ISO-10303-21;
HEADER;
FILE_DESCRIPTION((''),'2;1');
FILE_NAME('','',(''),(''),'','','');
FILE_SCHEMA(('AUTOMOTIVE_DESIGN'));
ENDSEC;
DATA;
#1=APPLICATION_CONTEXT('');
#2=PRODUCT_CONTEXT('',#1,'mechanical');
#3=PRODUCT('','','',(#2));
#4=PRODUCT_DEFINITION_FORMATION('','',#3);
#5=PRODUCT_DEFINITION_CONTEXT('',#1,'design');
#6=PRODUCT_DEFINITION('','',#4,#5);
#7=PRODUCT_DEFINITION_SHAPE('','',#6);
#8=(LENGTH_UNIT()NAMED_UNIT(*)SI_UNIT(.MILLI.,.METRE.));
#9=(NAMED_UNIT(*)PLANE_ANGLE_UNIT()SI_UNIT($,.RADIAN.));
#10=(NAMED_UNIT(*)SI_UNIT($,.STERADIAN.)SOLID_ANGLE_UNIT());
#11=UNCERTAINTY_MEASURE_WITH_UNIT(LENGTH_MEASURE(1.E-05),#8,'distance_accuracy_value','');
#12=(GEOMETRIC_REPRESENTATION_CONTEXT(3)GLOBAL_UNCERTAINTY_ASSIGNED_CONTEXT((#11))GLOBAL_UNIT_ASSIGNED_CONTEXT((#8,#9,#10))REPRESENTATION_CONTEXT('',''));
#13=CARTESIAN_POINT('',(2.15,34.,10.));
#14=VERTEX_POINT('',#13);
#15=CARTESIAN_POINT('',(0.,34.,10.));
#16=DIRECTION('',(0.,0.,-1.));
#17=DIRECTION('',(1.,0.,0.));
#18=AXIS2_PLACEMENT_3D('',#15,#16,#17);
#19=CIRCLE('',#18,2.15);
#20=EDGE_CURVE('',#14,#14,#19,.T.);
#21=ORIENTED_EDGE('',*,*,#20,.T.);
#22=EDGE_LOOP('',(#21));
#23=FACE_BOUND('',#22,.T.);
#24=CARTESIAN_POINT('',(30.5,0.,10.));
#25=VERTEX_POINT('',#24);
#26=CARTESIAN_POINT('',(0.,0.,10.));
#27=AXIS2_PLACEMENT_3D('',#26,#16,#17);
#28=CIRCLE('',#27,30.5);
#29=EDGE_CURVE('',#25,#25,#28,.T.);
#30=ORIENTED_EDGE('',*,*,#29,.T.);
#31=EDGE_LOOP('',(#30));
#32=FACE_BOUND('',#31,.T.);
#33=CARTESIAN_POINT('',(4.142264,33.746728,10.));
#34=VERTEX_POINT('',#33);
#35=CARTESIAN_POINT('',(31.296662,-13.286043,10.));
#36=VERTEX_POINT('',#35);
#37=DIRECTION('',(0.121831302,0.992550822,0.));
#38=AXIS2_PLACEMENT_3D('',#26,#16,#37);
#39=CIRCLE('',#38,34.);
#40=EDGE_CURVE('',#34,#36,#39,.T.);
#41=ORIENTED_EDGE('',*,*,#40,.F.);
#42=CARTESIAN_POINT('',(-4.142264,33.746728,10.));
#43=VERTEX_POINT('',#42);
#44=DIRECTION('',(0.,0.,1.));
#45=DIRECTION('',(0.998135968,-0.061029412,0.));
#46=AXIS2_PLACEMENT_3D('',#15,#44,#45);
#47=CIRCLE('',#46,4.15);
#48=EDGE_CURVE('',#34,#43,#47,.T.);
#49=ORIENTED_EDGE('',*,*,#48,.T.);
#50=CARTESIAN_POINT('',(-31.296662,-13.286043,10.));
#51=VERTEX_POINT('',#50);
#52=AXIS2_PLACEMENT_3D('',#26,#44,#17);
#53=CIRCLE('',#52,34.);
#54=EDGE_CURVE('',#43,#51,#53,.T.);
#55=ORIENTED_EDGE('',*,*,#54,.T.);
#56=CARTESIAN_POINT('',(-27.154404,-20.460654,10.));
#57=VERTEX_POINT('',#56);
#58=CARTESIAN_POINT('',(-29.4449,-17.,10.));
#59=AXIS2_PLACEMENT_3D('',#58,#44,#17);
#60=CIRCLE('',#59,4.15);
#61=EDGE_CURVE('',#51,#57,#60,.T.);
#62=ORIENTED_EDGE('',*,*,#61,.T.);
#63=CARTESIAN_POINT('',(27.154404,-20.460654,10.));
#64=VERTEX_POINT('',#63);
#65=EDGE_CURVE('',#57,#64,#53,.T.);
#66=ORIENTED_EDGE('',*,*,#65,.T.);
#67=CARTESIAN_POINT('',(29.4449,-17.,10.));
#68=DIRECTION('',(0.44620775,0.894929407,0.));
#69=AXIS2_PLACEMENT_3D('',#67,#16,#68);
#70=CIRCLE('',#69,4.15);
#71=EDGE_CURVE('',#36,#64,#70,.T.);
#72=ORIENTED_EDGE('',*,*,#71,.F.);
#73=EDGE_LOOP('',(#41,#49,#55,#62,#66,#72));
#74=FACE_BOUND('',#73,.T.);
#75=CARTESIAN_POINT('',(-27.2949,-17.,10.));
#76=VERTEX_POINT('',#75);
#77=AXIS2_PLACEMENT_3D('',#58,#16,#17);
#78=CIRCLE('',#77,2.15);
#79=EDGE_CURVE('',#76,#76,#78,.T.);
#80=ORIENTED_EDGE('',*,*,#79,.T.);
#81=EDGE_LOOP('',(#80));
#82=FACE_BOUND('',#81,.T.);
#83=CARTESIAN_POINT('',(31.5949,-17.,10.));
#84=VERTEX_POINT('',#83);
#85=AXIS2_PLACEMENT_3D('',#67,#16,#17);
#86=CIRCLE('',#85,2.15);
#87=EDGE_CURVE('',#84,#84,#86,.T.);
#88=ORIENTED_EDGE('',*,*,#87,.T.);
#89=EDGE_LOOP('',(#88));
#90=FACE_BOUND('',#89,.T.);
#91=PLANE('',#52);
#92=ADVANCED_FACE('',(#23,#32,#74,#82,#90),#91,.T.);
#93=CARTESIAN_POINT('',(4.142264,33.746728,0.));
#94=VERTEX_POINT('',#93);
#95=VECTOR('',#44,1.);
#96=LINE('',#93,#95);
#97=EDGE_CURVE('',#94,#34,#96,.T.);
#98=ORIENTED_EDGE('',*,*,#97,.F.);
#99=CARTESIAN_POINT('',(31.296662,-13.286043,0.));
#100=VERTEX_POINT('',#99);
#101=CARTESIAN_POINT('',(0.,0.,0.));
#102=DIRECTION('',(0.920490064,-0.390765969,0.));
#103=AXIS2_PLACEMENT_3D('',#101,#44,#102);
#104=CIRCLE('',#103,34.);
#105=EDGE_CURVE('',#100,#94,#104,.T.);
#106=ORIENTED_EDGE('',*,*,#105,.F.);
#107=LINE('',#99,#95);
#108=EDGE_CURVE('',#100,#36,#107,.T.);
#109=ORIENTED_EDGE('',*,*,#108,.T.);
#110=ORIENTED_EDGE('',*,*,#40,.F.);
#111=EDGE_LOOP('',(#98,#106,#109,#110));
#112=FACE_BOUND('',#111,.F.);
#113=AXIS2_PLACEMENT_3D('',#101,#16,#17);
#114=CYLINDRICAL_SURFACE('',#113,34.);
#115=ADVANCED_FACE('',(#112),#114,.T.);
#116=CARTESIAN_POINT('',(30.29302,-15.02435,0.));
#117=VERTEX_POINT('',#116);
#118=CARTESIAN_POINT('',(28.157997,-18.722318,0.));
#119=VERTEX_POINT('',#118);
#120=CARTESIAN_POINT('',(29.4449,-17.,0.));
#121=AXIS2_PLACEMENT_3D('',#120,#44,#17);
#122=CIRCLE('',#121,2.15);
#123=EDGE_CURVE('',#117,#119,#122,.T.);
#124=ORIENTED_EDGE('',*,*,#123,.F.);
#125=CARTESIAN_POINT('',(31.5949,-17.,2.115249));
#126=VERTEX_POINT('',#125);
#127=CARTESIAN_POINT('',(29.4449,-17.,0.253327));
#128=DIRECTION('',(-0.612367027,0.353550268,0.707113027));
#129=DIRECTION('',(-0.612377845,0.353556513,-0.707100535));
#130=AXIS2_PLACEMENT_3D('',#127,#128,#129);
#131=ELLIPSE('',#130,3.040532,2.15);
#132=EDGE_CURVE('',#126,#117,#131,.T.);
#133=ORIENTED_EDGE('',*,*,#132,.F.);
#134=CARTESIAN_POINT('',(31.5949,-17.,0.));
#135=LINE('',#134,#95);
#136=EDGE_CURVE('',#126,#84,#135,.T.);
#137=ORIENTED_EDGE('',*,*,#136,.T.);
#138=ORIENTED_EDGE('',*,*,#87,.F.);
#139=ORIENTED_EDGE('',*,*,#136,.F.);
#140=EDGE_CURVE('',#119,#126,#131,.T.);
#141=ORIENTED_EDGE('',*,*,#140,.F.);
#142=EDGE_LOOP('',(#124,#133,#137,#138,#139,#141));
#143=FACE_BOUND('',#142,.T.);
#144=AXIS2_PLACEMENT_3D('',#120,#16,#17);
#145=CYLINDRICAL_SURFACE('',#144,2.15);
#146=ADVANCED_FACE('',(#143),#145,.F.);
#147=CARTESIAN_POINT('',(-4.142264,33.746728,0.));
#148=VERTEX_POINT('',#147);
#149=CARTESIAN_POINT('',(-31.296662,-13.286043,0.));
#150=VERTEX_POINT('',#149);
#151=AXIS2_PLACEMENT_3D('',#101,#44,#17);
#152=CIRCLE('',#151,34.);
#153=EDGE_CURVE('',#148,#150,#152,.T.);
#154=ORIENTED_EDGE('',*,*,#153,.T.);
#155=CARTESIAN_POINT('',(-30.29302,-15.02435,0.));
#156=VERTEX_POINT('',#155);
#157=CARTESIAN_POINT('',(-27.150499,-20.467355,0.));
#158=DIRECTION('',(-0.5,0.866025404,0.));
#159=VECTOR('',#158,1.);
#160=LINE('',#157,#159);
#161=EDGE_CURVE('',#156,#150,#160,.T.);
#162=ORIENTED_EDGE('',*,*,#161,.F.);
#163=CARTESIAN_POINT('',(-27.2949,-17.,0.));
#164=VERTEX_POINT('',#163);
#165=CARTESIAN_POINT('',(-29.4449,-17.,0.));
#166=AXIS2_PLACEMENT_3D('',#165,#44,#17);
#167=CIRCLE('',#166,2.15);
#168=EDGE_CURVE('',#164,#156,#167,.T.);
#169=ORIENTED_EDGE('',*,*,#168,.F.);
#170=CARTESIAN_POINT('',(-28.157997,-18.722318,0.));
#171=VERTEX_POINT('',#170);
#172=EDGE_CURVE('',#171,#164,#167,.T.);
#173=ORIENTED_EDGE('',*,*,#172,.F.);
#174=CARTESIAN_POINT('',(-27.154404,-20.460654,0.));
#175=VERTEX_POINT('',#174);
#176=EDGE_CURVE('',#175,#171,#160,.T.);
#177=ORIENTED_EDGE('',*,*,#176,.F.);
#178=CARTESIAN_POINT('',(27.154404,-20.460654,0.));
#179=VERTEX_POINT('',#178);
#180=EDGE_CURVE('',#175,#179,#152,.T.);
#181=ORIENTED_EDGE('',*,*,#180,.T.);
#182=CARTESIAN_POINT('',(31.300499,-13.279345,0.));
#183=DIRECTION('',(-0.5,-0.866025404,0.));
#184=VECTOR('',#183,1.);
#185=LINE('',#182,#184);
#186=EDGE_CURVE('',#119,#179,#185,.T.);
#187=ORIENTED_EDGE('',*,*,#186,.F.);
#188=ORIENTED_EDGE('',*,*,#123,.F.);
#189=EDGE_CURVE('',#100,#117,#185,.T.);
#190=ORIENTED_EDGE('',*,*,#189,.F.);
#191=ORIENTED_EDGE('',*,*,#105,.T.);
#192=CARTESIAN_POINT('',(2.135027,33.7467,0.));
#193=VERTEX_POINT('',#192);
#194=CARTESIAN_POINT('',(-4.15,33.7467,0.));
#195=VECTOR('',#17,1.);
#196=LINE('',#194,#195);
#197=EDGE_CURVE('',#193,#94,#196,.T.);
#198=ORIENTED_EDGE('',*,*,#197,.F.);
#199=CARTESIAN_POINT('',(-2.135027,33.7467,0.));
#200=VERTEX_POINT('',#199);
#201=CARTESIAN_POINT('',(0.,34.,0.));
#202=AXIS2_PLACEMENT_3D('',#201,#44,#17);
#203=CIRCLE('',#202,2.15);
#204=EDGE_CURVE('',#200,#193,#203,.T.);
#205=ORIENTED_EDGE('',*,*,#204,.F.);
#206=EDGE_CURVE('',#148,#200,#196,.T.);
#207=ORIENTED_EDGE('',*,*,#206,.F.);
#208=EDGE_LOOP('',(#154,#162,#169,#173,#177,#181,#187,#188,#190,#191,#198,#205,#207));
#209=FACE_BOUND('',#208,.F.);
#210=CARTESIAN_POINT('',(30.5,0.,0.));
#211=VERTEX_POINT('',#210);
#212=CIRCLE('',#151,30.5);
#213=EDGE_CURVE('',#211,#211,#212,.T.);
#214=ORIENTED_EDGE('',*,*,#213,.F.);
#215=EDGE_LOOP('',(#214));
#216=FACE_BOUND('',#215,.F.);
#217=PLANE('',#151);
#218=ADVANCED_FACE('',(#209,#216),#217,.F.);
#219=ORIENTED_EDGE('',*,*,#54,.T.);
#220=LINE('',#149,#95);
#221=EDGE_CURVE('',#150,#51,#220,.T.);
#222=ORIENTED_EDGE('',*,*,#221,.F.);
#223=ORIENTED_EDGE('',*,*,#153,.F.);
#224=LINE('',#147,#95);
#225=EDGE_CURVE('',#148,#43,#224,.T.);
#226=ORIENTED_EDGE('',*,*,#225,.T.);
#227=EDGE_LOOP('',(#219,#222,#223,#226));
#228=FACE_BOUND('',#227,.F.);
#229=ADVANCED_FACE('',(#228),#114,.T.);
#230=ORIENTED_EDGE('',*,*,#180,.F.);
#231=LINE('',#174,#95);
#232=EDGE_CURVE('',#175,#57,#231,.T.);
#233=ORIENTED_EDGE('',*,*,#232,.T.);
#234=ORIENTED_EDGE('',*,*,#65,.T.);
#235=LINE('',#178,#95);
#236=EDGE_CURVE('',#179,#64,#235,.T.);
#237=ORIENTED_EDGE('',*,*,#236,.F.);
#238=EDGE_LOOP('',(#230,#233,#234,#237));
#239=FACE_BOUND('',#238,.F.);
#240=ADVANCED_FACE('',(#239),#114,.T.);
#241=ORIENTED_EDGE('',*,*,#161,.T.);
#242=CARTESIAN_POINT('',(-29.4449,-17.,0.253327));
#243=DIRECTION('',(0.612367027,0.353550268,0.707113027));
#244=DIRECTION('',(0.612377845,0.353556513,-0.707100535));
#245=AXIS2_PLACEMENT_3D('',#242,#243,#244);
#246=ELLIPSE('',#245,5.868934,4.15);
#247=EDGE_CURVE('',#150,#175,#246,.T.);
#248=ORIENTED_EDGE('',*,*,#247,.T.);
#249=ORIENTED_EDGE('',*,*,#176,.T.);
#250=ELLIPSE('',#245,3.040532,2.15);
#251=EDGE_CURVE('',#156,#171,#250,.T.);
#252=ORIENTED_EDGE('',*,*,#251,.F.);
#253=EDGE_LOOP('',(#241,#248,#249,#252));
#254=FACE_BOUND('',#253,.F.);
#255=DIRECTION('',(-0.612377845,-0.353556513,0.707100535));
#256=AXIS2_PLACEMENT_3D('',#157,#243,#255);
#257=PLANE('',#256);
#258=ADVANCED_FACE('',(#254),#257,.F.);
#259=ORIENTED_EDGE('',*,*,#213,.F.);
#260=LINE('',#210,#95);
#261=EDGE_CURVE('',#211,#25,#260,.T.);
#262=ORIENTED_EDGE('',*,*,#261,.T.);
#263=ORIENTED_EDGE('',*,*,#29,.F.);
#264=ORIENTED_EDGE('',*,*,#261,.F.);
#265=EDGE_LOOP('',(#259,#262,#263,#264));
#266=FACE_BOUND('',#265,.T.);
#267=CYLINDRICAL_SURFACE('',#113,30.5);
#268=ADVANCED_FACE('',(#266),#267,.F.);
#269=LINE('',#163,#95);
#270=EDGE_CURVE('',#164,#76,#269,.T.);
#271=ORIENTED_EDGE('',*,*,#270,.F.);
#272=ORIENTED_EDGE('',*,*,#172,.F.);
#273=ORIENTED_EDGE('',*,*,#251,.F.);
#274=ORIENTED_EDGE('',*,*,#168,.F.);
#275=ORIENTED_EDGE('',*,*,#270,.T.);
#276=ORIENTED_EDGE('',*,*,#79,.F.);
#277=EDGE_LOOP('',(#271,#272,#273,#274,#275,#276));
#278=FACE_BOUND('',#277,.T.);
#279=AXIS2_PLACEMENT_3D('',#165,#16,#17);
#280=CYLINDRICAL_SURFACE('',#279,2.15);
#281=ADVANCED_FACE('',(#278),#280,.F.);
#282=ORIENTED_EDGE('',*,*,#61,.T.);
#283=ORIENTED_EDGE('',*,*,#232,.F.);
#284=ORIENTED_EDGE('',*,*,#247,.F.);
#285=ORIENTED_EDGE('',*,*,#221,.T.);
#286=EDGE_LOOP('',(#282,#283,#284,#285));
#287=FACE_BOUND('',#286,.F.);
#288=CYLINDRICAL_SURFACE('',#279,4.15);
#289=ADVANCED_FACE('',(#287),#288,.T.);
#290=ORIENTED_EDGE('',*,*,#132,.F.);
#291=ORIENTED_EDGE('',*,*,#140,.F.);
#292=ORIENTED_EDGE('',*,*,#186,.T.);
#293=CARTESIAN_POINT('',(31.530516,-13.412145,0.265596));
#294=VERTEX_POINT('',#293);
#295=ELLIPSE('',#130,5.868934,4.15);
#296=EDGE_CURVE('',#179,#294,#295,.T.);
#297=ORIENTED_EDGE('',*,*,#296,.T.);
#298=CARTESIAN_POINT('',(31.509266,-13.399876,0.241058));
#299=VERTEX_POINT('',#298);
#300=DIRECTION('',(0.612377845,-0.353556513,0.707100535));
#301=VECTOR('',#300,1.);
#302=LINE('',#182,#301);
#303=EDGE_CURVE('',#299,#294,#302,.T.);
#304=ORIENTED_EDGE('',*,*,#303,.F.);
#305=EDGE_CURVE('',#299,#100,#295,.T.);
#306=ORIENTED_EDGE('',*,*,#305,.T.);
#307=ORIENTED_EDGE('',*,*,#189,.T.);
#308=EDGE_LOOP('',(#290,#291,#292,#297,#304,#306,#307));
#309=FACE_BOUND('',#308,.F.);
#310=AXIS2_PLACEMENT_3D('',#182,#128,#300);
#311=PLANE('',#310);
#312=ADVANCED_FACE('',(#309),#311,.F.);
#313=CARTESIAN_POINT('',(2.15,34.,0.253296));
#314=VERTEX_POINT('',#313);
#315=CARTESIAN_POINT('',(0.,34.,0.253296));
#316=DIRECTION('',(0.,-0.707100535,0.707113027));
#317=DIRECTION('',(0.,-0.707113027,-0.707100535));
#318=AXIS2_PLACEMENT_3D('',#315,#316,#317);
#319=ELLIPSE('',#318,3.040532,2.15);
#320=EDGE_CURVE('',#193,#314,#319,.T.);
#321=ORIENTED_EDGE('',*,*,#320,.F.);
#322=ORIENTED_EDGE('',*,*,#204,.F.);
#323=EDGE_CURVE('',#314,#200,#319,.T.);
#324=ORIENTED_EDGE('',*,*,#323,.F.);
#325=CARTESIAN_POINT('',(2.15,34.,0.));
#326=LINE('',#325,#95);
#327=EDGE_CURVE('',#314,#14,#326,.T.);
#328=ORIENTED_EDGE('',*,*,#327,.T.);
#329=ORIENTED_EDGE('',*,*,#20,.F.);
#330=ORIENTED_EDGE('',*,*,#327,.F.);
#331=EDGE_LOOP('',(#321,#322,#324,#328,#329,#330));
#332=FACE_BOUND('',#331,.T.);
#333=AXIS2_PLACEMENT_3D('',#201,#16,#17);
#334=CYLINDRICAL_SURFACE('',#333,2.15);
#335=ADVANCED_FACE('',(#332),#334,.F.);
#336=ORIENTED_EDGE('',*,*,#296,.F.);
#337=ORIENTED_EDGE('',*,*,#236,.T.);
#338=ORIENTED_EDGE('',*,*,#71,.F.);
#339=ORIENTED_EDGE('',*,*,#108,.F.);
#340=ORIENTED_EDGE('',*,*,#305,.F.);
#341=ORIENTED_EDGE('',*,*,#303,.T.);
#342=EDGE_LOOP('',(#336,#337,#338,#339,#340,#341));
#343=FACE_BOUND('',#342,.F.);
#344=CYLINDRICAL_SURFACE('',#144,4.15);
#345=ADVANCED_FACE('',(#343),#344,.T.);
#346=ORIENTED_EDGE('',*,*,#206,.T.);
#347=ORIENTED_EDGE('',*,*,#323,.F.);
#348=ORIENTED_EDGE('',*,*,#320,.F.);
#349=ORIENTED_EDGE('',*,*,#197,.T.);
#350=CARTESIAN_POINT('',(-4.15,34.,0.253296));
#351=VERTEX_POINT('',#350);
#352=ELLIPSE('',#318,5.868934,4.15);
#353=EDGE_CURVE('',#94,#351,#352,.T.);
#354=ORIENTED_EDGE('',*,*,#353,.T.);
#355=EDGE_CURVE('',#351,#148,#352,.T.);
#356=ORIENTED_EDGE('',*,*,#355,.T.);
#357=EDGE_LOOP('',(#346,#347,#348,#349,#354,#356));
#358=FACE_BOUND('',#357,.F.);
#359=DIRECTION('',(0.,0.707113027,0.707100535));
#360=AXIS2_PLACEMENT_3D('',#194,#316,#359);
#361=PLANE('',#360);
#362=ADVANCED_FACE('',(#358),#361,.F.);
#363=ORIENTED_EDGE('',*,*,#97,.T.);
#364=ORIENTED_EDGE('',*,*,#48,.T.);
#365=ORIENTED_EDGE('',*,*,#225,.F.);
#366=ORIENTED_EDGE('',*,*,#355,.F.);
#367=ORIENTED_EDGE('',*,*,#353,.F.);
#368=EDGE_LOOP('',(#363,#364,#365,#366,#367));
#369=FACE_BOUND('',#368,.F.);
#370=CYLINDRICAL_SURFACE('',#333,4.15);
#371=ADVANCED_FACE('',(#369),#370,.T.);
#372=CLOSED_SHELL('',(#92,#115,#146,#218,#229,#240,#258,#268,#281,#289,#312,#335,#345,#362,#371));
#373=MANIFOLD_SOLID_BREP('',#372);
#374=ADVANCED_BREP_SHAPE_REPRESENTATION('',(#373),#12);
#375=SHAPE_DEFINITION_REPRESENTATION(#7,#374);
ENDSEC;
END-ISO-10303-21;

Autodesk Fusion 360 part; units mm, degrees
sketch "Sketch2" plane through (0, 0, 0) normal (0, 0, 1) x (1, 0, 0)
  circle A0 centre (0, 0) radius 34
  circle A1 centre (0, 0) radius 22.5
  circle A2 centre (0, 34) radius 2.15
  circle A3 centre (0, 34) radius 4.15
  circle A4 centre (-29.4449, -17) radius 2.15
  circle A5 centre (29.4449, -17) radius 2.15
  circle A6 centre (0, 0) radius 30.5
  line L0 (0, 38.15) -> (0, 29.85) construction
  line L1 (4.15, 38.15) -> (-4.15, 29.85) construction
  line L2 (-4.15, 38.15) -> (4.15, 29.85) construction
  circle A7 centre (-29.4449, -17) radius 4.15
  circle A8 centre (29.4449, -17) radius 4.15
  point P0 (0, 34)
  dimension "d19" = 68
  dimension "d21" = 45
  dimension "d22" = 4.3
  dimension "d23" = 2
  dimension "d25" = 360
  dimension "d29" = 61
extrude "main" add sketch "Sketch2" along normal blind 10 contours A0 A3 A6 A8 | A0 A2 A3 A6 | A0 A2 A3 | A0 A5 A8 | A0 A5 A6 A8 | A0 A3 A6 A7 | A0 A6 A7 A8 | A0 A4 A6 A7 | A0 A4 A7
ref_plane "WorkPlane1" through (-4.15, 34, 6.304) normal (-1, 0, 0) x (0, 1, 0)
sketch "Sketch3" plane through (-4.15, 0, 0) normal (-1, 0, 0) x (0, -1, 0)
  line L0 (-33.7467, 0) -> (-39.4074, 5.6606)
  line L1 (-33.7467, 0) -> (-41.6458, 0) construction
  line L2 (-33.7467, 0) -> (-39, 0)
  line L3 (-33.7467, 0) -> (-39.699, 0)
  line L4 (-39.4074, 5.6606) -> (-39.4074, 0)
  line L5 (13.2861, 0) -> (-33.7467, 0)
  line L6 (13.2861, 0) -> (13.2861, 10)
  line L7 (13.2861, 10) -> (-33.7467, 10)
  line L8 (-33.7467, 10) -> (-33.7467, 0)
  dimension "d43" = 45
extrude "side cut" cut sketch "Sketch3" against normal blind 15 contours L0 L2 L3 L4
pattern_circular "C-Pattern1" count 3 over 360 about axis through (0, 0, 1.75) along (0, 0, 1) of "side cut"
equation "gear_ratio = 6"
equation "gear_Ns = 12"
equation "gear_Nr = ( gear_ratio - 1 ) * gear_Ns"
equation "gear_Np = ( gear_ratio - 2 ) * gear_Ns / 2"
equation "gear_width = 10 mm"
equation "gear_backlash = 0.25 mm"
equation "gear_sp = ( ( gear_Ns + gear_Np ) / 2 ) * 1 mm"
equation "gear_OD = ( gear_Nr ) * 1 mm + 8 mm"
equation "ring_width = 52 mm"
equation "m3_hole_thickness = 2 mm"
equation "m3_inserts = 4.3 mm"
equation "d19 = gear_OD"
equation "output_bearing_od = 47 mm"
equation "d21 = output_bearing_od - 2 mm"
equation "d22 = m3_inserts"
equation "d23 = m3_hole_thickness"
equation "d29 = gear_OD - wall_thickness"
equation "wall_thickness = 7 mm"
equation "d33 = height"
equation "height = 10 mm"
